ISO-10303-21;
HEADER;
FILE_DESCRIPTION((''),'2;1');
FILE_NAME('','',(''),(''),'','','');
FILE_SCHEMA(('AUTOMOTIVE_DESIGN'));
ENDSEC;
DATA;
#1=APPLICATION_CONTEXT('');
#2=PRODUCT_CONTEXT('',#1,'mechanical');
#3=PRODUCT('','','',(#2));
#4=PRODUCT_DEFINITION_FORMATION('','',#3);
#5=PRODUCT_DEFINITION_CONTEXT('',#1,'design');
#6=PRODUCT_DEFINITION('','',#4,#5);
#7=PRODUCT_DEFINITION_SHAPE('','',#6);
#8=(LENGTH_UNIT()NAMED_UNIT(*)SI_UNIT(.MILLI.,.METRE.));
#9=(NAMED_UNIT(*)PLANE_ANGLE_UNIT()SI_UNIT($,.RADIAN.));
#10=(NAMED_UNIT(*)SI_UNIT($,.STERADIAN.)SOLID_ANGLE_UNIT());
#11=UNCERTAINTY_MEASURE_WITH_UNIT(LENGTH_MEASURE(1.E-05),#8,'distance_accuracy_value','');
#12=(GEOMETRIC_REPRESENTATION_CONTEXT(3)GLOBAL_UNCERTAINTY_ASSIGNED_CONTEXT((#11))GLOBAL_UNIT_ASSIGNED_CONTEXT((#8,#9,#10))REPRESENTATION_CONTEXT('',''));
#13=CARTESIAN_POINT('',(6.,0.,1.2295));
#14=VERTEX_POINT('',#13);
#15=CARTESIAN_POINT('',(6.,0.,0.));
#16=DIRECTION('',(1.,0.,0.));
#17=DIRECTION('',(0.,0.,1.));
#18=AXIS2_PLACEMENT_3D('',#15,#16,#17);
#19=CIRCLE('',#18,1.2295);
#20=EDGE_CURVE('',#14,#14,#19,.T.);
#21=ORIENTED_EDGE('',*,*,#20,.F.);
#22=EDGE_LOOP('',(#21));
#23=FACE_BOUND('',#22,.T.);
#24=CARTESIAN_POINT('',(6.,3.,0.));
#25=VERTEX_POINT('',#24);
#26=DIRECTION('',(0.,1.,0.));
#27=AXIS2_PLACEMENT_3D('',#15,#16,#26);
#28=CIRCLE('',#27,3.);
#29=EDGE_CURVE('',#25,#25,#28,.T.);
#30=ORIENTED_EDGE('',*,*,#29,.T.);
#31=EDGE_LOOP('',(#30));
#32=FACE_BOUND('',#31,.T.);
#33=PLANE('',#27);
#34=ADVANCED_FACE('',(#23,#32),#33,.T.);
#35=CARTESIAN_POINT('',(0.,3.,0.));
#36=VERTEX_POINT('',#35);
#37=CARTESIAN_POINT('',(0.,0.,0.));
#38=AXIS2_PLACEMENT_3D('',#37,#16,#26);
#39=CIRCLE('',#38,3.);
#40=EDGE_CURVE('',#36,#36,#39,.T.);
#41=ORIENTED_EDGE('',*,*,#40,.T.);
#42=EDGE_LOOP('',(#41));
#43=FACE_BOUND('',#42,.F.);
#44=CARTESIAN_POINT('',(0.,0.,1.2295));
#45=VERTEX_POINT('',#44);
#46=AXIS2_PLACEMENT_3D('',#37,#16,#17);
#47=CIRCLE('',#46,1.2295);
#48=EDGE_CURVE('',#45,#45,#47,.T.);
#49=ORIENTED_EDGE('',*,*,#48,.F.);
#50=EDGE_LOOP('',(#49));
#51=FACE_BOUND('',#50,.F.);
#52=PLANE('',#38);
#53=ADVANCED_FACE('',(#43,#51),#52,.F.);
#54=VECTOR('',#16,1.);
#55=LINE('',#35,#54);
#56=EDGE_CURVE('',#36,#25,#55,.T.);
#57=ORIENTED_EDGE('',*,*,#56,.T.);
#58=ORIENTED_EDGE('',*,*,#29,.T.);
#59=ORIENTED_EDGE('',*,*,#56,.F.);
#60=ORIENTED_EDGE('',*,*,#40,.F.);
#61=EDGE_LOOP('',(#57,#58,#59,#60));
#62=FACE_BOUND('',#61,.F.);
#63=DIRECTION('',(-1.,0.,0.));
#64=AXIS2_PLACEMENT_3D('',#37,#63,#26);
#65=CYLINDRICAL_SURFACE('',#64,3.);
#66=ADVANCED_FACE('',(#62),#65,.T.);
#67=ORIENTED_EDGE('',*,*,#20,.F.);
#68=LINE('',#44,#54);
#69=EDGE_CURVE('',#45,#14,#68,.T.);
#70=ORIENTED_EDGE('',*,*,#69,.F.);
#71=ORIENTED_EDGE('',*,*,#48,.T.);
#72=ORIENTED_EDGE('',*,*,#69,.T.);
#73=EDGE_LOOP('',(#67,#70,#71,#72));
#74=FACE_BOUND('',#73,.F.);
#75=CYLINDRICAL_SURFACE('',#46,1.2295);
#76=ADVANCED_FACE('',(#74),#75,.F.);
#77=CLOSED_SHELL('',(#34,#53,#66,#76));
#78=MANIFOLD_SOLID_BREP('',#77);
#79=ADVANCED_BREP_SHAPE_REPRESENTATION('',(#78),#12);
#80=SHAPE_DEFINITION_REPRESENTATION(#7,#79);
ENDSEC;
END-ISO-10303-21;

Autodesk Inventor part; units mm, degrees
ref_plane "YZ Plane" through (0, 0, 0) normal (1, 0, 0) x (0, 1, 0)
ref_plane "XZ Plane" through (0, 0, 0) normal (0, 1, 0) x (-1, 0, 0)
ref_plane "XY Plane" through (0, 0, 0) normal (0, 0, 1) x (1, 0, 0)
sketch "スケッチ1" plane through (0, 0, 0) normal (1, 0, 0) x (0, 1, 0)
  circle A0 centre (0, 0) radius 3
  dimension "d0" = 6
extrude "押し出し1" add sketch "スケッチ1" along normal blind 6
sketch "スケッチ2" plane through (0, 0, 0) normal (-1, 0, 0) x (0, 0, 1)
  point P0 (0, 0)
hole "穴1" at (0, 0, 0) direction (1, 0, 0) diameter 2.459 end through all thread size "M3x0.5" class "6H" standard "ISO Metric profile"
properties part number "p6l6ALshaft" material "アルミニウム 2014-T4"
